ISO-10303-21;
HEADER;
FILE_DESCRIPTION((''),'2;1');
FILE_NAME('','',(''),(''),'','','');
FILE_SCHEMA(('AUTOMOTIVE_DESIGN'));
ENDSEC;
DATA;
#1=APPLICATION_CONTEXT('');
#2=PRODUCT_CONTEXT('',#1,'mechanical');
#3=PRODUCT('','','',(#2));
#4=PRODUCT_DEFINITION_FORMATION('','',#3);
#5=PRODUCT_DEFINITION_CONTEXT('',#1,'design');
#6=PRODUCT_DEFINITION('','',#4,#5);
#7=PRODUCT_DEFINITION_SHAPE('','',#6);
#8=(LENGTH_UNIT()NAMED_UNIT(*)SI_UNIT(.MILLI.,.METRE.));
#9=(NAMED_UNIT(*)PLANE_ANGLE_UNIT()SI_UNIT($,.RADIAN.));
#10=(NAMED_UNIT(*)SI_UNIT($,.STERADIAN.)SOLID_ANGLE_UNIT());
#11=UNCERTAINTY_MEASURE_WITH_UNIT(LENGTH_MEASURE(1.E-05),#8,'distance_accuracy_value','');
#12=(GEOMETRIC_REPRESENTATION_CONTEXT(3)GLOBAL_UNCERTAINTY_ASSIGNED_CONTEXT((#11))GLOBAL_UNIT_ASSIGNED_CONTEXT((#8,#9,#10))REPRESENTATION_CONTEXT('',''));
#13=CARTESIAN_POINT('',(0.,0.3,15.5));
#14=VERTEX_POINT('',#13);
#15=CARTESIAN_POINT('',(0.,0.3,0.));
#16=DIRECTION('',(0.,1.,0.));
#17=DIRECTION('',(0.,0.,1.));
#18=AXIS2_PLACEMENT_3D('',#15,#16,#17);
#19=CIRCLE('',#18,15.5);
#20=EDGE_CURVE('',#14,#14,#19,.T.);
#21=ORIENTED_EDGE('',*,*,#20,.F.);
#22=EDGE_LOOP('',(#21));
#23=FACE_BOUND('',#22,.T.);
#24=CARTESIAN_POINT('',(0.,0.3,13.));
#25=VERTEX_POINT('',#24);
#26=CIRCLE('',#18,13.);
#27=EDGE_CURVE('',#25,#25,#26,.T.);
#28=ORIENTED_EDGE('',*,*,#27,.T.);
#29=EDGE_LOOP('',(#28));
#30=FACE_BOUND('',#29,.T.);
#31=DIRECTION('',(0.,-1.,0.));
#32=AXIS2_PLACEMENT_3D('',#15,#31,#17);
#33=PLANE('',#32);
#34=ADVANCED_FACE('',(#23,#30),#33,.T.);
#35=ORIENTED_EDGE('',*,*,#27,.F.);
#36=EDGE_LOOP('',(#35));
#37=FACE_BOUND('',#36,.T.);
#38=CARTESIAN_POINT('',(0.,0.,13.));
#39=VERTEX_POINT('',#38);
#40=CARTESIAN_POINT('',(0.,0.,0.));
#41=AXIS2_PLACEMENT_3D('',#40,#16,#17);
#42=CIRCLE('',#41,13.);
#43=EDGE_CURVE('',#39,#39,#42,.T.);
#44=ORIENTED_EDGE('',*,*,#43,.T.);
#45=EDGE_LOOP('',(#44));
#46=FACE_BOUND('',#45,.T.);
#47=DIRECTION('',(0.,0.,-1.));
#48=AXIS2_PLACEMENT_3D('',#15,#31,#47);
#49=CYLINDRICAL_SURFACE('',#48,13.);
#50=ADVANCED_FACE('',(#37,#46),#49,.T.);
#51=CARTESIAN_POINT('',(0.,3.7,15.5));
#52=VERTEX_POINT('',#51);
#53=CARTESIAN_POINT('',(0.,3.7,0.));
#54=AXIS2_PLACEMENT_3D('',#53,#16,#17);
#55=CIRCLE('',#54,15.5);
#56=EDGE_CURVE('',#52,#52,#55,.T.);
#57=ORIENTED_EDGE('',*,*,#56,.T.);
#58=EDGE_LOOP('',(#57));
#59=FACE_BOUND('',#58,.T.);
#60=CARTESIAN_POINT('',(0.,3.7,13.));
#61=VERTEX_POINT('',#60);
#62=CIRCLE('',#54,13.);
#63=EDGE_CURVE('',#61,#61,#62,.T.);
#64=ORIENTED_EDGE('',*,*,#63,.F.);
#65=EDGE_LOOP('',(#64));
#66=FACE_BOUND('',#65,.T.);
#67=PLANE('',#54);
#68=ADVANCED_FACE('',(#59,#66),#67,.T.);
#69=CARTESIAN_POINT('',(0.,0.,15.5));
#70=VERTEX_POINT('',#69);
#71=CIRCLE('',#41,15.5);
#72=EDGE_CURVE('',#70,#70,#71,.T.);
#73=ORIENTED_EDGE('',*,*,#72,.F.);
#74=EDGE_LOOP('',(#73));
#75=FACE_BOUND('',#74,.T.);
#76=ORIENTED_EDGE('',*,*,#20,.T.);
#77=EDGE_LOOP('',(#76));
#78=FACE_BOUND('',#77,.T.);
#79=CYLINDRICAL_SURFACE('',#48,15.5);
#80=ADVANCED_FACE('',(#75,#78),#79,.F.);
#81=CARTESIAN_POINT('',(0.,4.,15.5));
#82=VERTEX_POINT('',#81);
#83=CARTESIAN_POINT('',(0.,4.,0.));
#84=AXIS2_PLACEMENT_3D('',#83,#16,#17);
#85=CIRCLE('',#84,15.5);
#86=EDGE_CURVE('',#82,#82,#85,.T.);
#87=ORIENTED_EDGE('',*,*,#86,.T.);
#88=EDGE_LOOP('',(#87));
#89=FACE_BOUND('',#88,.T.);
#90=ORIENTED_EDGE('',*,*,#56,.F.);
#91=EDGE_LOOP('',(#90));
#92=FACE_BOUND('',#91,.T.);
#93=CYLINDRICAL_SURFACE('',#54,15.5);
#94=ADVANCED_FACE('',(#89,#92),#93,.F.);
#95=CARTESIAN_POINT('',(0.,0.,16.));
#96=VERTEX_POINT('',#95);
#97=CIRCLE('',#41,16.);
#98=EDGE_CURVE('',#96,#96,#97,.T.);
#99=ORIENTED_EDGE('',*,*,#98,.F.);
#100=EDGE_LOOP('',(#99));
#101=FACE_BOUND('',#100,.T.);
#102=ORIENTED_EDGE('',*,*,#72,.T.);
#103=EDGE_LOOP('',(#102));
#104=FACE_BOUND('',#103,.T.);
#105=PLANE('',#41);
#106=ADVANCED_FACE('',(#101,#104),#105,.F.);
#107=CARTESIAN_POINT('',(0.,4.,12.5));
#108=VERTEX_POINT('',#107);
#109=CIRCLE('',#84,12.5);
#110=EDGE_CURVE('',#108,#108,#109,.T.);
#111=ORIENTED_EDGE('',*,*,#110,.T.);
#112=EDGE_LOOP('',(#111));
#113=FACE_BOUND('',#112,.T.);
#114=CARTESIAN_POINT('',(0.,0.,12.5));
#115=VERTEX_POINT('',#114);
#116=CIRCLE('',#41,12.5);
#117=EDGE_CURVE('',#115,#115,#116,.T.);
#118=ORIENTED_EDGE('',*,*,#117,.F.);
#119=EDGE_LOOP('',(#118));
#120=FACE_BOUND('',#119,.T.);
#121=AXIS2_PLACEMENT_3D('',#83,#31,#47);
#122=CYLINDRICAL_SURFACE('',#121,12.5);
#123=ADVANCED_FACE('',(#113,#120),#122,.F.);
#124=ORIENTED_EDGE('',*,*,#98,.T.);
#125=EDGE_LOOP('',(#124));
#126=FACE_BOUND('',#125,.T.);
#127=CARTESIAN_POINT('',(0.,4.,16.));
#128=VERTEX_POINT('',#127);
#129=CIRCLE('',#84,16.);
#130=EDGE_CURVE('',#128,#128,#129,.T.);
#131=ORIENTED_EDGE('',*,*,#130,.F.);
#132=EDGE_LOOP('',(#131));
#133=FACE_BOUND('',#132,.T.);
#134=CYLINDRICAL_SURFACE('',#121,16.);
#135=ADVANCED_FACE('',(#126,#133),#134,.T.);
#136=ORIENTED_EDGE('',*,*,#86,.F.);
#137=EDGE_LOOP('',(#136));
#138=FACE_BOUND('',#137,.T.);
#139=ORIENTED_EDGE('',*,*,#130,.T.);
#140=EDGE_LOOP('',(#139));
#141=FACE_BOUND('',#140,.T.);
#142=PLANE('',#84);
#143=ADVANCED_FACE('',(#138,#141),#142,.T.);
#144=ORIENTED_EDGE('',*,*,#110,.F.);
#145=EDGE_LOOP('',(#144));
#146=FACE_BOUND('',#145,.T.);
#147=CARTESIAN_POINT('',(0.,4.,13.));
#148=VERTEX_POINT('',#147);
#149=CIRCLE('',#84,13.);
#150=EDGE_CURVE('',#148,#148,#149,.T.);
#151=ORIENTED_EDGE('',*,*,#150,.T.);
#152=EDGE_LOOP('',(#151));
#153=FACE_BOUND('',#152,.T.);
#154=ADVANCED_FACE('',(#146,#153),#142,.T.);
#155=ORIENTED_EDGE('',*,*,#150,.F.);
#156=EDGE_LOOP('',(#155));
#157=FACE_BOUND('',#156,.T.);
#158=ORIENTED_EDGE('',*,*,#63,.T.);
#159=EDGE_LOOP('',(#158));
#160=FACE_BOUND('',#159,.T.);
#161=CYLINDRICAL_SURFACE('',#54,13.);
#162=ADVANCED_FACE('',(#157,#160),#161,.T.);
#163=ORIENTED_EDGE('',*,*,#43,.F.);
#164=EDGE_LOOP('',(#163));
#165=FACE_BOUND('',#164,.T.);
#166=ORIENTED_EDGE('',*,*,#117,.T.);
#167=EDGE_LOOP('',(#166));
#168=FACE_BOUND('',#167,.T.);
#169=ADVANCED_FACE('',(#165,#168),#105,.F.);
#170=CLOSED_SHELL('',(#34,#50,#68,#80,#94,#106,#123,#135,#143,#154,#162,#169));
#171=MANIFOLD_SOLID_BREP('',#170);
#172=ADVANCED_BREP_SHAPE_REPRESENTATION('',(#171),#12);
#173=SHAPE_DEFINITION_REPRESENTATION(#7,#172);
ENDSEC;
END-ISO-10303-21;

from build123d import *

# Parameters (mm, degrees)
SKETCH_1_R          = 16
SKETCH_1_R_2        = 12.5
EXTRUDE_1_DEPTH     = 4
SKETCH_2_R          = 15.5
SKETCH_2_R_2        = 13
CUT_EXTRUDE_1_DEPTH = 0.3


with BuildPart() as part:
    # 草图1 → 凸台-拉伸1 (new body)
    with BuildSketch(Plane(origin=(0, 0, 0), x_dir=(1, 0, 0), z_dir=(0, 1, 0))):
        with Locations(Location((0, 0, 0), (0, 0, 270))):
            Circle(SKETCH_1_R)
        with Locations(Location((0, 0, 0), (0, 0, 270))):
            Circle(SKETCH_1_R_2, mode=Mode.SUBTRACT)
    extrude(amount=EXTRUDE_1_DEPTH)

    # 草图2 → 切除-拉伸1 (cut)
    with BuildSketch(Plane(origin=(0, 4, 0), x_dir=(1, 0, 0), z_dir=(0, 1, 0))):
        with Locations(Location((0, 0, 0), (0, 0, 270))):
            Circle(SKETCH_2_R)
        with Locations(Location((0, 0, 0), (0, 0, 270))):
            Circle(SKETCH_2_R_2, mode=Mode.SUBTRACT)
    cut_extrude_1 = extrude(amount=-CUT_EXTRUDE_1_DEPTH, mode=Mode.SUBTRACT)

    # 镜向1: 切除-拉伸1 across plane
    add(cut_extrude_1.mirror(Plane.ZX.offset(2)), mode=Mode.SUBTRACT)


solid = part.part
